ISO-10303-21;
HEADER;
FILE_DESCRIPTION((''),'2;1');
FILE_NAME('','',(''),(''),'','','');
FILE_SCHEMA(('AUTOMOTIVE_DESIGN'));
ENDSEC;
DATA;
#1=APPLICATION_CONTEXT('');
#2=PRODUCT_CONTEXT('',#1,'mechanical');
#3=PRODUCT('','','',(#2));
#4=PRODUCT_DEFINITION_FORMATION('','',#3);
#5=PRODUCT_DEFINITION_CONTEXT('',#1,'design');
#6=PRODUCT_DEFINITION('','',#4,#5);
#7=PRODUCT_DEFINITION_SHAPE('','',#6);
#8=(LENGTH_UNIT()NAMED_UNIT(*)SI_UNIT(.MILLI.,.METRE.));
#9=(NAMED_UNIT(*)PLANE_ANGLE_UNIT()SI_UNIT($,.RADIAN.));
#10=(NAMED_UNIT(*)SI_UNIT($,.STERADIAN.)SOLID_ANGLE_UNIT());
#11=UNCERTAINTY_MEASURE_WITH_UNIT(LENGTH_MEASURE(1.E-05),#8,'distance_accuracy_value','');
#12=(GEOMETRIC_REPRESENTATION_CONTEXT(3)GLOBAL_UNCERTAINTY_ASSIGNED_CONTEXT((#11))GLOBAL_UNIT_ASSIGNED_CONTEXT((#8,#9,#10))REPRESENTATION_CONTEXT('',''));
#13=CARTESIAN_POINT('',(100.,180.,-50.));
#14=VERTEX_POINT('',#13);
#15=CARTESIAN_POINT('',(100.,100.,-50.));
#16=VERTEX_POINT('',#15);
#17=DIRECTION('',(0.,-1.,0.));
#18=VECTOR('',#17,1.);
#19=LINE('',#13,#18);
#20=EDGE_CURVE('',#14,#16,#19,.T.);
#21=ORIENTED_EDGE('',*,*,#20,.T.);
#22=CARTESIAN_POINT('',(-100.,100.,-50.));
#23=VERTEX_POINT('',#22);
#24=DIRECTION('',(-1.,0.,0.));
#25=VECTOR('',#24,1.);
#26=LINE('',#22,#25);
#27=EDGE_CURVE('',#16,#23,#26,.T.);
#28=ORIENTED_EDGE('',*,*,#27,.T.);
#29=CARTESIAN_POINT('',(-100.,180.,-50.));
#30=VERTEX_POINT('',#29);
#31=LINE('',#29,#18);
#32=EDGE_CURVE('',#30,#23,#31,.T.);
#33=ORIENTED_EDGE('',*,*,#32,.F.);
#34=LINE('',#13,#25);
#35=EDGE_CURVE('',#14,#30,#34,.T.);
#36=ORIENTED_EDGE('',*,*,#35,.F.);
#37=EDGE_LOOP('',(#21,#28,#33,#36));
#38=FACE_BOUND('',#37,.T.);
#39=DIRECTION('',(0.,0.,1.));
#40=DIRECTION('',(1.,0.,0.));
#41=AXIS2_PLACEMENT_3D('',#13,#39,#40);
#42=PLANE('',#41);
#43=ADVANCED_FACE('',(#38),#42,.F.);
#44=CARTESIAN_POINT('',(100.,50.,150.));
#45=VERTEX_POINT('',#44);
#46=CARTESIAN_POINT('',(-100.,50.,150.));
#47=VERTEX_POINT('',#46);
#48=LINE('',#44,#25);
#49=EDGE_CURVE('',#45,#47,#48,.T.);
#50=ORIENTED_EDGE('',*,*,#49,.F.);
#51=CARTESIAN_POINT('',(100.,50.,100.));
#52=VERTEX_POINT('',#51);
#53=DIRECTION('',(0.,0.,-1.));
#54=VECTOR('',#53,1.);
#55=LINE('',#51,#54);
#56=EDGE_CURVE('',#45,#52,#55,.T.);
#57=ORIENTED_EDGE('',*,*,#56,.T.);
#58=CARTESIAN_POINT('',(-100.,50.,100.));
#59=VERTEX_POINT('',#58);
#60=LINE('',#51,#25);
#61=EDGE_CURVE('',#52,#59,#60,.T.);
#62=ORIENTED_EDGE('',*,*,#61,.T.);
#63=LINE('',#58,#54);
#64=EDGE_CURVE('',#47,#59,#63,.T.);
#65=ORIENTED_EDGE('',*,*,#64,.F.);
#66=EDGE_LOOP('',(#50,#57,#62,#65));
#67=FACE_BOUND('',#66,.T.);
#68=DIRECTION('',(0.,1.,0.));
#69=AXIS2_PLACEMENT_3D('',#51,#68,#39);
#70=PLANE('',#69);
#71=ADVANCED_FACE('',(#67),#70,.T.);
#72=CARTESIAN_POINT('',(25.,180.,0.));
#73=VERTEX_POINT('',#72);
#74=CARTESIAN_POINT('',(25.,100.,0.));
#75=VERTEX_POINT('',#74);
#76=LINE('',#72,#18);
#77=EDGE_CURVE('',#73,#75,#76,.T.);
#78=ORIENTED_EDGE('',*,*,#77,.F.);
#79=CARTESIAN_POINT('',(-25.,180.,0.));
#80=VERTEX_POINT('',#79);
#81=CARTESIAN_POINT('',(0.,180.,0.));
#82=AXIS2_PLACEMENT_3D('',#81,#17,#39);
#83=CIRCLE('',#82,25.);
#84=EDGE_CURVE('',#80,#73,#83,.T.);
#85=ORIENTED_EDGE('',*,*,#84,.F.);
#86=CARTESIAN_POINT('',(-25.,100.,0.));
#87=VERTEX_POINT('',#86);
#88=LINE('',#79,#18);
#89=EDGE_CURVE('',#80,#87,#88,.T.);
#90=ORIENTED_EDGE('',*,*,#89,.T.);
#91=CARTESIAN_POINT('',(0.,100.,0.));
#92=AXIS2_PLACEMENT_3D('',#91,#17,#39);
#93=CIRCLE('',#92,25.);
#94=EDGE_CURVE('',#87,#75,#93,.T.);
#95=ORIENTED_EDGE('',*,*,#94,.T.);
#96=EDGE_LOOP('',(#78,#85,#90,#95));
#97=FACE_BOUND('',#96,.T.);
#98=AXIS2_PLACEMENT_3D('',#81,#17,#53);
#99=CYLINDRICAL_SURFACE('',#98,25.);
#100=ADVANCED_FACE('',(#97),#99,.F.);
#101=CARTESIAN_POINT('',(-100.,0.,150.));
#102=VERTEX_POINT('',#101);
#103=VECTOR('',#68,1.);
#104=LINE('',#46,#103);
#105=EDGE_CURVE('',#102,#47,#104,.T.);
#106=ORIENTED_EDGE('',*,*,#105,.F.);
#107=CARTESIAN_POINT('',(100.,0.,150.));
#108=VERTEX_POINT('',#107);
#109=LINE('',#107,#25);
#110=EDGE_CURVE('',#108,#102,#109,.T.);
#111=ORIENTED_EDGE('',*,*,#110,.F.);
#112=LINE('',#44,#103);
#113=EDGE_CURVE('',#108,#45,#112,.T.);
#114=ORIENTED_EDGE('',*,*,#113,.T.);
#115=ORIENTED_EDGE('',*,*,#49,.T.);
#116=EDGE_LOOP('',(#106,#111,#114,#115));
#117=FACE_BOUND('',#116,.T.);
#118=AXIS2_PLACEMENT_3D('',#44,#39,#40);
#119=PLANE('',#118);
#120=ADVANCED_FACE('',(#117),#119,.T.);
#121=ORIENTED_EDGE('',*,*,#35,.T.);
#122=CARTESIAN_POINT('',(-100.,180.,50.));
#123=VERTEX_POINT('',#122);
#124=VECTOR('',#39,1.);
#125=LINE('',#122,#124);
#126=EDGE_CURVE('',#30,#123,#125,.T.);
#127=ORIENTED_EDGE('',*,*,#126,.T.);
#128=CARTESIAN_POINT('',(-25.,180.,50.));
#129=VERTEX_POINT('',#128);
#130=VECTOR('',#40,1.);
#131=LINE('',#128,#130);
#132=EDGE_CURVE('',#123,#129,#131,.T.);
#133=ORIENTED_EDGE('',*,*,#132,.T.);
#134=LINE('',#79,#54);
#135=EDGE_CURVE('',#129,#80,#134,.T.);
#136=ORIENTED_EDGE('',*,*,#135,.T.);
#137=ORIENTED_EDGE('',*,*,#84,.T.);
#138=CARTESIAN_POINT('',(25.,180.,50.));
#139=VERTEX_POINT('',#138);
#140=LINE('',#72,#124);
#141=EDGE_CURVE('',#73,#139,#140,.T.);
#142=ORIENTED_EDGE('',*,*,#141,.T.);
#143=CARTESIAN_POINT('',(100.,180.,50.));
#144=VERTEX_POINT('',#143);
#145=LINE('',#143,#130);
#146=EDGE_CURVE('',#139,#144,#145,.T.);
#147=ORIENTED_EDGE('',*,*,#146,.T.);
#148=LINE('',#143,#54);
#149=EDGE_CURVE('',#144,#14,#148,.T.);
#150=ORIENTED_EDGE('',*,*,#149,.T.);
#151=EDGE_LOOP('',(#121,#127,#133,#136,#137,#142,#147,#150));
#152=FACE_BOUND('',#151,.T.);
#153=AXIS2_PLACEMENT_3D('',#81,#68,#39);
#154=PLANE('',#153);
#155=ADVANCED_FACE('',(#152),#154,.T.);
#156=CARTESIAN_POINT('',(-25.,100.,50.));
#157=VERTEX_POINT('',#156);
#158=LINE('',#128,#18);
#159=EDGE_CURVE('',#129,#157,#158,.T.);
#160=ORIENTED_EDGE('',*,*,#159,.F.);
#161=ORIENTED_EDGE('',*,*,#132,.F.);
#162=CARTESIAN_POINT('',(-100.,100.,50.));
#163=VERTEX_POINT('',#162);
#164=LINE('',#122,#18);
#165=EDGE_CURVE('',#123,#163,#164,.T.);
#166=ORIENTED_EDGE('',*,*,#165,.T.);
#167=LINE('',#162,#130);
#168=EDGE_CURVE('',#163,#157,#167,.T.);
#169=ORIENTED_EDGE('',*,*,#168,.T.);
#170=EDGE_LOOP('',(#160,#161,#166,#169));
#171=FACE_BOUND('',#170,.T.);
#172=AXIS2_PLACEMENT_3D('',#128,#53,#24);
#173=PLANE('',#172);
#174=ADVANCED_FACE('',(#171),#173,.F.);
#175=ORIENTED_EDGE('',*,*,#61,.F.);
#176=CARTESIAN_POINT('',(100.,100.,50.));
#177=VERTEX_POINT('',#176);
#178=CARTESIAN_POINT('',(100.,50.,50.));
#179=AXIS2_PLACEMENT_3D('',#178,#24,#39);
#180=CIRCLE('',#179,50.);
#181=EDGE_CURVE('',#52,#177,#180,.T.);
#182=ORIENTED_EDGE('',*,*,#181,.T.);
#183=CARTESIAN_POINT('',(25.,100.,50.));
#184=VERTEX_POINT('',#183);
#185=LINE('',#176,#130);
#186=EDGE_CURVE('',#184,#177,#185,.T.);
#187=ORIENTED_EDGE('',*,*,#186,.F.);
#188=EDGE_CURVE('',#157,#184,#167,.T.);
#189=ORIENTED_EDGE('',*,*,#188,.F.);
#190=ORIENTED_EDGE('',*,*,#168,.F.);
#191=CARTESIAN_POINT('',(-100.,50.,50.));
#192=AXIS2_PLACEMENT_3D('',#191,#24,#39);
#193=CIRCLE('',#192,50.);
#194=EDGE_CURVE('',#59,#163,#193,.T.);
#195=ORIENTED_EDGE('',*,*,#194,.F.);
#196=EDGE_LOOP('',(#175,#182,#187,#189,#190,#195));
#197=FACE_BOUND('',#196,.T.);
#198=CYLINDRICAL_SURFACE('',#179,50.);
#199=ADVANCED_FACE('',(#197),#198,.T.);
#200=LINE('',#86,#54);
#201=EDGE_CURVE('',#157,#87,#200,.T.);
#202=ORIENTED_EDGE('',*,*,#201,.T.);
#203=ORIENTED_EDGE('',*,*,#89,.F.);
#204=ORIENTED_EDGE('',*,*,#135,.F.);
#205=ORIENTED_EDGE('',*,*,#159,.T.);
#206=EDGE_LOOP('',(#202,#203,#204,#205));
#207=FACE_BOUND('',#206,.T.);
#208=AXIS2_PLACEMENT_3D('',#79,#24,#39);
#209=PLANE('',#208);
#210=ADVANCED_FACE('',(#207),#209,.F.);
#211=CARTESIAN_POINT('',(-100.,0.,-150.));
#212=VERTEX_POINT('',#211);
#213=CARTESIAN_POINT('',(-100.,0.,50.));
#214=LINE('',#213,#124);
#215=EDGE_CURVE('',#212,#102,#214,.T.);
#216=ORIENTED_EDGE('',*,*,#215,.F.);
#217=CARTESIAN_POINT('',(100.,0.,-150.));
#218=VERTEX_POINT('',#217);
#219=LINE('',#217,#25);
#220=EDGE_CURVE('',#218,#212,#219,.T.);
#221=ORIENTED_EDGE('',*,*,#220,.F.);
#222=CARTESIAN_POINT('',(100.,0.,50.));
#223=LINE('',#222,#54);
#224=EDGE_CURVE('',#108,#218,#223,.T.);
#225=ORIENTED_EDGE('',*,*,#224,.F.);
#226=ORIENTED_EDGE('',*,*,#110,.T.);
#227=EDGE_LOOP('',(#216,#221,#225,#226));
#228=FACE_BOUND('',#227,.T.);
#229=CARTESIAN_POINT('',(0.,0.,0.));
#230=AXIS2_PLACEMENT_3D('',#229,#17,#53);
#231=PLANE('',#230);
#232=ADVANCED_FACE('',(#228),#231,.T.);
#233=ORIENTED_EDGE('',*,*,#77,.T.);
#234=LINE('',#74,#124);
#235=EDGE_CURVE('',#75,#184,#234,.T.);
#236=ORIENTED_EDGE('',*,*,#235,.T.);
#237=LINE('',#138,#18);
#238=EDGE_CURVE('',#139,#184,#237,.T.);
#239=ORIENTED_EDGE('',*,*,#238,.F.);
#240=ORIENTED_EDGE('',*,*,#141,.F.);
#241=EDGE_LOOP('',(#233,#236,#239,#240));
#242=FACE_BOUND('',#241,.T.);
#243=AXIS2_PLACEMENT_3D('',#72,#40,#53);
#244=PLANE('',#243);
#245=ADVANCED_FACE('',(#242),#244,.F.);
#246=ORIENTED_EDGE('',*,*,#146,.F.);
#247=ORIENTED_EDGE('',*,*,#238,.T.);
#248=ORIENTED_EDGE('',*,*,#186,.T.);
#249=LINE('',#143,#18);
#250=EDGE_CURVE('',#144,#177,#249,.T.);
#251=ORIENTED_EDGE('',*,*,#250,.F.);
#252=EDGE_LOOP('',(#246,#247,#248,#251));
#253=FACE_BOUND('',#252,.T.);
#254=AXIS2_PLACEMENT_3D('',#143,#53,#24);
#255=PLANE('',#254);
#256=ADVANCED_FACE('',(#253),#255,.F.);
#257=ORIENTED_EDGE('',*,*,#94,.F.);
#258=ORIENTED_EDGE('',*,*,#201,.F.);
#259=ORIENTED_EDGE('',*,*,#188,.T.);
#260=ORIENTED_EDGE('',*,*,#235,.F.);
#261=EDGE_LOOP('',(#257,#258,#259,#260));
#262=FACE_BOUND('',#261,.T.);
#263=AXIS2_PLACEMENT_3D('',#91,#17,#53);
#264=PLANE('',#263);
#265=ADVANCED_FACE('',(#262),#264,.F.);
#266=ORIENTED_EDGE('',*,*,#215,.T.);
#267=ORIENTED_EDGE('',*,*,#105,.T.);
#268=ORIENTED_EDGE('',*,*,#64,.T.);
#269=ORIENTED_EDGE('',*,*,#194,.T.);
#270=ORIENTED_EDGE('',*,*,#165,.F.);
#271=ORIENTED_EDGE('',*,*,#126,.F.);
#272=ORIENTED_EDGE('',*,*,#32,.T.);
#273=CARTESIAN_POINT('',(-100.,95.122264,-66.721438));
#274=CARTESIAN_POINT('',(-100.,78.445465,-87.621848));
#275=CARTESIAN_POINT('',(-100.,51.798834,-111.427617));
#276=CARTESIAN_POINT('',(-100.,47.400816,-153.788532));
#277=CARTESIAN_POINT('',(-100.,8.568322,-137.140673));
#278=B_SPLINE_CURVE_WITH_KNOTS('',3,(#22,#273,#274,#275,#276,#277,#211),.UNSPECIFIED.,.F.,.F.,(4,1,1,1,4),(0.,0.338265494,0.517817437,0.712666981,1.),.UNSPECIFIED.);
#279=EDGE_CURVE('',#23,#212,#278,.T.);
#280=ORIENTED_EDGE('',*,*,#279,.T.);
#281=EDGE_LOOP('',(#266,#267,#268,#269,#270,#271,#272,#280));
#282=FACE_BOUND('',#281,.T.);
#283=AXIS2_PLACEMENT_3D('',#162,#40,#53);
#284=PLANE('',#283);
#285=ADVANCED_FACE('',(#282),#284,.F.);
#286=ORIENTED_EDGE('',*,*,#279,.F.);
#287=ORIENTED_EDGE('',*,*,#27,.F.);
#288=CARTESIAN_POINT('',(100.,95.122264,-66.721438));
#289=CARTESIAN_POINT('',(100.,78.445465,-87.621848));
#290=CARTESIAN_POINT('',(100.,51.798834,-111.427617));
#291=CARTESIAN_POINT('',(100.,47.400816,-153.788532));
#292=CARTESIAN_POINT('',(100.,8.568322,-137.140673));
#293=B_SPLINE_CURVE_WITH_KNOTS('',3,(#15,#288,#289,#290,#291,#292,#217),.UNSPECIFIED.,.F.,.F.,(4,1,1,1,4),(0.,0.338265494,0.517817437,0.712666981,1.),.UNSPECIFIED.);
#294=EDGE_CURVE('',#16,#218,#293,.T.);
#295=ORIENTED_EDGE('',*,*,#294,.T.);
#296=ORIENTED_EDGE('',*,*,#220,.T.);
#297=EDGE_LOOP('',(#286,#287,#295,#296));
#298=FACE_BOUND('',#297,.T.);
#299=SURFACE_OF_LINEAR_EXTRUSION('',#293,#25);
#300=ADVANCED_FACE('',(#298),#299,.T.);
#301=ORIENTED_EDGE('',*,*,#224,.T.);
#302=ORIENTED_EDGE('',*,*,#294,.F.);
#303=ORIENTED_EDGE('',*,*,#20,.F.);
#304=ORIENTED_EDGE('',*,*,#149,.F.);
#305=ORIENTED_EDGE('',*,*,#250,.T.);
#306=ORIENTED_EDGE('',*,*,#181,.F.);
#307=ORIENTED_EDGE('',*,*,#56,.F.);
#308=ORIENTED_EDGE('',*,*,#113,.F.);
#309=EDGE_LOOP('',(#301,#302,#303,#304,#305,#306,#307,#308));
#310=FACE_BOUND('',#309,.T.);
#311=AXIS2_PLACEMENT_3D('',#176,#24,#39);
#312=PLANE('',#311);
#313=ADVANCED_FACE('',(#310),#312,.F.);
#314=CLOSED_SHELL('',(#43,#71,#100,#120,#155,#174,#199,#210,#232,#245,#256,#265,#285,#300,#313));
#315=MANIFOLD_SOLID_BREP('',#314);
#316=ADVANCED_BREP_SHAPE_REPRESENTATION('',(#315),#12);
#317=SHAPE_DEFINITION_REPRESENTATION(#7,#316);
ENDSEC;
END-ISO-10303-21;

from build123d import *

# Parameters (mm, degrees)
SKETCH_1_W      = 200
SKETCH_1_H      = 100
EXTRUDE_1_DEPTH = 100
EXTRUDE_2_DEPTH = 200
EXTRUDE_3_DEPTH = 200
EXTRUDE_5_DEPTH = 80


with BuildPart() as part:
    # 草图1 → 凸台-拉伸1 (new body)
    with BuildSketch(Plane(origin=(0, 0, 0), x_dir=(1, 0, 0), z_dir=(0, 1, 0))):
        Rectangle(SKETCH_1_W, SKETCH_1_H)
    extrude(amount=EXTRUDE_1_DEPTH)

    # 草图2 → 凸台-拉伸2 (add)
    with BuildSketch(Plane.ZY.offset(100)):
        with BuildLine():
            Line((50, 100), (50, 50))
            Line((50, 50), (50, 0))
            Line((50, 0), (150, 0))
            Line((150, 0), (150, 50))
            Line((150, 50), (100, 50))
            ThreePointArc((100, 50), (85.355339059, 85.355339059), (50, 100))
        make_face()
    extrude(amount=-EXTRUDE_2_DEPTH)

    # 草图3 → 凸台-拉伸3 (add)
    with BuildSketch(Plane.ZY.offset(100)):
        with BuildLine():
            Line((-50, 0), (-150, 0))
            add(Edge.make_bspline(
                [(-50, 100), (-66.721438415, 95.122264267), (-87.621848077, 78.445464682), (-111.42761731, 51.798834324), (-153.788531602, 47.400816106), (-137.140673225, 8.568321879), (-150, 0)],
                knots=[0, 0, 0, 0, 0.338265494, 0.517817437, 0.712666981, 1, 1, 1, 1], degree=3))
            Line((-50, 100), (-50, 0))
        make_face()
    extrude(amount=-EXTRUDE_3_DEPTH)

    # 草图4 → 凸台-拉伸5 (add)
    with BuildSketch(Plane(origin=(0, 100, 0), x_dir=(1, 0, 0), z_dir=(0, 1, 0))):
        with BuildLine():
            Line((100, -50), (25, -50))
            Line((25, -50), (25, 0))
            ThreePointArc((25, 0), (0, 25), (-25, 0))
            Line((-25, 0), (-25, -50))
            Line((-25, -50), (-100, -50))
            Line((-100, -50), (-100, 50))
            Line((-100, 50), (100, 50))
            Line((100, 50), (100, -50))
        make_face()
    extrude(amount=EXTRUDE_5_DEPTH)


solid = part.part
